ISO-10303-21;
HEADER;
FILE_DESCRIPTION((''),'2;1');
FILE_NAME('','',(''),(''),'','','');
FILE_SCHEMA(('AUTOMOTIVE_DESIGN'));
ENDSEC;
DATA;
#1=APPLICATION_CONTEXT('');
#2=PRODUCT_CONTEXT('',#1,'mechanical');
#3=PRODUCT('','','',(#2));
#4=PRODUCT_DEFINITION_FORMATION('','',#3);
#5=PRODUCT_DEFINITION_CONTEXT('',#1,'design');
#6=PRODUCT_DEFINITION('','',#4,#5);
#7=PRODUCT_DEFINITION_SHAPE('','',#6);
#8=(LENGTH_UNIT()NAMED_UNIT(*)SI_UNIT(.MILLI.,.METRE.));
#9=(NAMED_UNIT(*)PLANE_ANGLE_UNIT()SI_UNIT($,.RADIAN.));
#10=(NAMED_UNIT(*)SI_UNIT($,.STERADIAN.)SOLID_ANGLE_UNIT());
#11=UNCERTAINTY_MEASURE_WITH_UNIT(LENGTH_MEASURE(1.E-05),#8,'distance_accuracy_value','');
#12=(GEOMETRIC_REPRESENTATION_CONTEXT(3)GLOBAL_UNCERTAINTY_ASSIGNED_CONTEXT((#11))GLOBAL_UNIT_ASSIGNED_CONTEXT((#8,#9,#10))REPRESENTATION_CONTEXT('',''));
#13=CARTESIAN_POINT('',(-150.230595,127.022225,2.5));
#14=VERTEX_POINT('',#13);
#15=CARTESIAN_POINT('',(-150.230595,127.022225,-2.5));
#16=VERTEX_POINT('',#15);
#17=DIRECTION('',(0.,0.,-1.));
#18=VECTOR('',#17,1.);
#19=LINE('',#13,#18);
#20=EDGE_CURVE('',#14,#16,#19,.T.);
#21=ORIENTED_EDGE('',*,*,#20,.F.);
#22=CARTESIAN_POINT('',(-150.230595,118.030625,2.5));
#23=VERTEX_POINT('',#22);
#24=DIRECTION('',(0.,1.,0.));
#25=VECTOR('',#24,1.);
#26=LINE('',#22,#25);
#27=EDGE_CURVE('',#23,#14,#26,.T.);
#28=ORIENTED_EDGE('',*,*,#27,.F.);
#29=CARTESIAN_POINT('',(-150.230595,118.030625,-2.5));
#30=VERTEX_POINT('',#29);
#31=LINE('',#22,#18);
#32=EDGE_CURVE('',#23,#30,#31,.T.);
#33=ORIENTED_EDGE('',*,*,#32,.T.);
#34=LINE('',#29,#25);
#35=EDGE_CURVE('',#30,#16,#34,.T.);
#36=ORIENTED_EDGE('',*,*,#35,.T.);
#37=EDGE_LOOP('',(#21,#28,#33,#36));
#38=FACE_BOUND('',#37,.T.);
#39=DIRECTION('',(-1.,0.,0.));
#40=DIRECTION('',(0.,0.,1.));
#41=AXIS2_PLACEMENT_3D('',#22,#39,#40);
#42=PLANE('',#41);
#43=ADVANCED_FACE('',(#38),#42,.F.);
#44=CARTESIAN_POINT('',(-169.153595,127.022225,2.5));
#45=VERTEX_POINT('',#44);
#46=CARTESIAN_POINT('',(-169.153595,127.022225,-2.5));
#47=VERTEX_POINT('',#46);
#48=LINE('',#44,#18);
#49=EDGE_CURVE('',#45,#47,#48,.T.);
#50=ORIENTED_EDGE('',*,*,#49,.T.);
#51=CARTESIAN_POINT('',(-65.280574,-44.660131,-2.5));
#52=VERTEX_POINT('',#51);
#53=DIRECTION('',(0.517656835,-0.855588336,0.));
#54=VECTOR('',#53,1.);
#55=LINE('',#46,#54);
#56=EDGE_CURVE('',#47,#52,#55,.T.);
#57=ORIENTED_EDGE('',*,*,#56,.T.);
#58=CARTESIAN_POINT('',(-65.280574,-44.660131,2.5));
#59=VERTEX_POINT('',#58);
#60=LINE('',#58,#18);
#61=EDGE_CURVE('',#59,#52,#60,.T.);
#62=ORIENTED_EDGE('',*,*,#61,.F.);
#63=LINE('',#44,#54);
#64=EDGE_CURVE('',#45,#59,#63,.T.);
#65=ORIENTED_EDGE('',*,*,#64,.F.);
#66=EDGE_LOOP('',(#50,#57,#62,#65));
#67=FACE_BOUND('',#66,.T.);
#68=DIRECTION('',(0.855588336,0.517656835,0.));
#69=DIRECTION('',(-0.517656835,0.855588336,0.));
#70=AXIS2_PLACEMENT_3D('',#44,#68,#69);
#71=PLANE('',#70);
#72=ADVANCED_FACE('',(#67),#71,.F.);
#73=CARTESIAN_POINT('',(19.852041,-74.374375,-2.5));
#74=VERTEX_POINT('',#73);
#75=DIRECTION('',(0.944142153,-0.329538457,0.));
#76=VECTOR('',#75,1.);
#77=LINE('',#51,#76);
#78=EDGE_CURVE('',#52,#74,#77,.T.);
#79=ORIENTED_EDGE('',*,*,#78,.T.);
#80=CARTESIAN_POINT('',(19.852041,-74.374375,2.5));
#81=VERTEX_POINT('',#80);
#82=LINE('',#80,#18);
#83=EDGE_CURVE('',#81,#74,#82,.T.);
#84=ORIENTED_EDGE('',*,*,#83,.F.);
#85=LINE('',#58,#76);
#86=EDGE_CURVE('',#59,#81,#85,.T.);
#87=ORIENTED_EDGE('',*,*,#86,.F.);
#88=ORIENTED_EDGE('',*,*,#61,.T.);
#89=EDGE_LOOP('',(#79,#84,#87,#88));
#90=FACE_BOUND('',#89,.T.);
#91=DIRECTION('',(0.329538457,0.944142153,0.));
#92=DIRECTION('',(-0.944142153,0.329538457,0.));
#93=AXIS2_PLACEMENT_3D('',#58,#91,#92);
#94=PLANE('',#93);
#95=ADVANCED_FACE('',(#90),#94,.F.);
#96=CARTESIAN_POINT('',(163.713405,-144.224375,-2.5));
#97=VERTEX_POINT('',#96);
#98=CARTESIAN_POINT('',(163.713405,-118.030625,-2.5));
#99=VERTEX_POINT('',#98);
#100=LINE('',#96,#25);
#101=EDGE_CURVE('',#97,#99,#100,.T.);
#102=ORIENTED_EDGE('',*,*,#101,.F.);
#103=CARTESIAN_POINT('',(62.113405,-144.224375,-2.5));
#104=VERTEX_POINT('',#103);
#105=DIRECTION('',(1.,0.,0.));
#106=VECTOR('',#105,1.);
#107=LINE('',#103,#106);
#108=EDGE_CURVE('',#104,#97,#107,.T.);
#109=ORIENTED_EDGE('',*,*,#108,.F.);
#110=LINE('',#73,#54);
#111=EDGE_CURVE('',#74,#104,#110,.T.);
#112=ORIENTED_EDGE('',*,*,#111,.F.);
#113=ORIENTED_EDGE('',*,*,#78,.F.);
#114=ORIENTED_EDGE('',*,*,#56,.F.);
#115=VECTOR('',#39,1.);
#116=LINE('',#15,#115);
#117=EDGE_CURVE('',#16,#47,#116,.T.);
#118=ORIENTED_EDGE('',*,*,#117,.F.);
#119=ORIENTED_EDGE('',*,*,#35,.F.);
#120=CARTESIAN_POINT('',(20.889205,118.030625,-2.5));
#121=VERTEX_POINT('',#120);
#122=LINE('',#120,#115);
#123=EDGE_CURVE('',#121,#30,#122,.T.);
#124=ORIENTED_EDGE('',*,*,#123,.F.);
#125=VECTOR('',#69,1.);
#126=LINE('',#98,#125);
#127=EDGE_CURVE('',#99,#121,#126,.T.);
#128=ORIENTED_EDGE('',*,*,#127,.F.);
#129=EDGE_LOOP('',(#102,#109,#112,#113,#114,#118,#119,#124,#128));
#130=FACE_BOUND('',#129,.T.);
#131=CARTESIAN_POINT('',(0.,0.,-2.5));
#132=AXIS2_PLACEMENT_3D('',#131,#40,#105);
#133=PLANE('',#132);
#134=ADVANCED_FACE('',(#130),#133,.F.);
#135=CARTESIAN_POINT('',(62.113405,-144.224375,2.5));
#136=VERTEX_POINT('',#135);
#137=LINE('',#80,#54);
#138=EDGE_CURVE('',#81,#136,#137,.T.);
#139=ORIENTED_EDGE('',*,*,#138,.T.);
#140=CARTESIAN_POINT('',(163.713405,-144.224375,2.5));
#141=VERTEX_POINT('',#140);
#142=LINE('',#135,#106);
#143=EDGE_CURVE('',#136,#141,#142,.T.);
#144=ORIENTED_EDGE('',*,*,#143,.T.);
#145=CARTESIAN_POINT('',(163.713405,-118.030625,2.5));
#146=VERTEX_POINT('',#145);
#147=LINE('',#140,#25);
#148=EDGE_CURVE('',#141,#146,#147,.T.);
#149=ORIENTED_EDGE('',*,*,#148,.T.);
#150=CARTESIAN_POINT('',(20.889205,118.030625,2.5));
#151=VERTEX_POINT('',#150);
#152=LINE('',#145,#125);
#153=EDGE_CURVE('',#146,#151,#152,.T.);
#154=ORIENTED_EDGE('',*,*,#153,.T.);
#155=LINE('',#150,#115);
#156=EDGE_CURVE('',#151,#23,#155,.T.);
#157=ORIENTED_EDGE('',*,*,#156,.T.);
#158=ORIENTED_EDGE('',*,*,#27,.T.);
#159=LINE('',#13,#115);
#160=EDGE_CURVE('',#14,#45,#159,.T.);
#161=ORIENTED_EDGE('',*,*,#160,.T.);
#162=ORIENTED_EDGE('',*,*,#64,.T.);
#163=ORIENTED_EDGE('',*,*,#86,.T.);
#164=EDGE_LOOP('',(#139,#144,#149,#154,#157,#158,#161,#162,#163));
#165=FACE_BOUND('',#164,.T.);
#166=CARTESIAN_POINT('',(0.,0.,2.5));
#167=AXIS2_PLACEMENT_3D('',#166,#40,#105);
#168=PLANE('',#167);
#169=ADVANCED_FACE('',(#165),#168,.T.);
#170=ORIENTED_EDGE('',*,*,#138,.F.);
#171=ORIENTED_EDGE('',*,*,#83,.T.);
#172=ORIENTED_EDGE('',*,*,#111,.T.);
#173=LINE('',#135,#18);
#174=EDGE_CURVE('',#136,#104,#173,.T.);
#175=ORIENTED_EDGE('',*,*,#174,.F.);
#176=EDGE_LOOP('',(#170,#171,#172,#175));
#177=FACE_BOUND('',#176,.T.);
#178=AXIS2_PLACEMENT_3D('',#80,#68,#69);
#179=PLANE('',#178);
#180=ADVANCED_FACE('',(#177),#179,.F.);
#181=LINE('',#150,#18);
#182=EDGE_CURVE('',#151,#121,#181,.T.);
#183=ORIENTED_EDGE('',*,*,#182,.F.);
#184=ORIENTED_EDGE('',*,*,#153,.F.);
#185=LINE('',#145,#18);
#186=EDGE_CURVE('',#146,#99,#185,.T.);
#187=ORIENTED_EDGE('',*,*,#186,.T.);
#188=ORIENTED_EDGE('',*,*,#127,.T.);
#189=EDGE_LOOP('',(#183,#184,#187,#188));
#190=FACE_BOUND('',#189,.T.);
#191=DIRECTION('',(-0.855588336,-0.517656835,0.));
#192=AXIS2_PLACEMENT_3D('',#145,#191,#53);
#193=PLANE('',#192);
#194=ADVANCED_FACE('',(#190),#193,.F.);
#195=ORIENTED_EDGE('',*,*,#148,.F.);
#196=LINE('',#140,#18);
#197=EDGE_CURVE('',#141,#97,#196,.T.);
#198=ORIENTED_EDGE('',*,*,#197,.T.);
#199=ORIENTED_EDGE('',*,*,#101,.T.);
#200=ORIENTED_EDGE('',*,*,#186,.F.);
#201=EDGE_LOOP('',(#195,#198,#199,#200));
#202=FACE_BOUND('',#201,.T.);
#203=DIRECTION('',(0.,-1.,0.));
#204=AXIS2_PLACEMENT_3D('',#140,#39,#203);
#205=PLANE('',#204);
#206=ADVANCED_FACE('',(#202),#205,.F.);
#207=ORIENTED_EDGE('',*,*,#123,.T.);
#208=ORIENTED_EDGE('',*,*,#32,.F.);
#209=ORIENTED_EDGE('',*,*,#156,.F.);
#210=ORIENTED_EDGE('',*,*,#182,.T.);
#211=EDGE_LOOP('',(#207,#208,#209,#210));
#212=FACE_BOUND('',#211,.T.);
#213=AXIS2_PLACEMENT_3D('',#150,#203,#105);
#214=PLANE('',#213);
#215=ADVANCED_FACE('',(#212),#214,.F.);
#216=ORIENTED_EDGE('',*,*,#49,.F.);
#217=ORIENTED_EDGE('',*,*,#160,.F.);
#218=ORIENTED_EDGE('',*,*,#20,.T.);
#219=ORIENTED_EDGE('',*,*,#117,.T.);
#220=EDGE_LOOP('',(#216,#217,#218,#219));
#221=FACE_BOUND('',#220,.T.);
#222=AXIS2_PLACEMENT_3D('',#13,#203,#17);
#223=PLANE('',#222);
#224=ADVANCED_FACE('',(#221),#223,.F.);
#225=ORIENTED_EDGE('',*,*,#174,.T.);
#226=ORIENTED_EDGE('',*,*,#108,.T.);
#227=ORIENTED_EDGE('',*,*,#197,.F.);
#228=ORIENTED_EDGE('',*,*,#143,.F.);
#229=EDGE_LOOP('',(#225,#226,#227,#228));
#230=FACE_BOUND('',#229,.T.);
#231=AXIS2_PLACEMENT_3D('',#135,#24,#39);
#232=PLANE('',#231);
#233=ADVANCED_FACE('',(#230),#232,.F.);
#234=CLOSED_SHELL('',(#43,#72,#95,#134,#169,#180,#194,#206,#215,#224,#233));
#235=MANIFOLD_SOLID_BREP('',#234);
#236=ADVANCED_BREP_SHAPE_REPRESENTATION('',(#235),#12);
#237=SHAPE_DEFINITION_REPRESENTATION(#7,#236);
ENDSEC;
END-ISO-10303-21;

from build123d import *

# Parameters (mm, degrees)
BOSS_EXTRUDE1_DEPTH = 2.5


with BuildPart() as part:
    # Sketch1 → Boss-Extrude1 (new, symmetric)
    with BuildSketch(Plane.XY):
        Polygon((163.713404947, -144.224375), (163.713404947, -118.030625), (20.889204947, 118.030625), (-150.230595053, 118.030625), (-150.230595053, 127.022225), (-169.153595053, 127.022225), (-65.280574469, -44.660130514), (19.852041127, -74.374375), (62.113404947, -144.224375), align=None)
    extrude(amount=BOSS_EXTRUDE1_DEPTH, both=True)


solid = part.part
